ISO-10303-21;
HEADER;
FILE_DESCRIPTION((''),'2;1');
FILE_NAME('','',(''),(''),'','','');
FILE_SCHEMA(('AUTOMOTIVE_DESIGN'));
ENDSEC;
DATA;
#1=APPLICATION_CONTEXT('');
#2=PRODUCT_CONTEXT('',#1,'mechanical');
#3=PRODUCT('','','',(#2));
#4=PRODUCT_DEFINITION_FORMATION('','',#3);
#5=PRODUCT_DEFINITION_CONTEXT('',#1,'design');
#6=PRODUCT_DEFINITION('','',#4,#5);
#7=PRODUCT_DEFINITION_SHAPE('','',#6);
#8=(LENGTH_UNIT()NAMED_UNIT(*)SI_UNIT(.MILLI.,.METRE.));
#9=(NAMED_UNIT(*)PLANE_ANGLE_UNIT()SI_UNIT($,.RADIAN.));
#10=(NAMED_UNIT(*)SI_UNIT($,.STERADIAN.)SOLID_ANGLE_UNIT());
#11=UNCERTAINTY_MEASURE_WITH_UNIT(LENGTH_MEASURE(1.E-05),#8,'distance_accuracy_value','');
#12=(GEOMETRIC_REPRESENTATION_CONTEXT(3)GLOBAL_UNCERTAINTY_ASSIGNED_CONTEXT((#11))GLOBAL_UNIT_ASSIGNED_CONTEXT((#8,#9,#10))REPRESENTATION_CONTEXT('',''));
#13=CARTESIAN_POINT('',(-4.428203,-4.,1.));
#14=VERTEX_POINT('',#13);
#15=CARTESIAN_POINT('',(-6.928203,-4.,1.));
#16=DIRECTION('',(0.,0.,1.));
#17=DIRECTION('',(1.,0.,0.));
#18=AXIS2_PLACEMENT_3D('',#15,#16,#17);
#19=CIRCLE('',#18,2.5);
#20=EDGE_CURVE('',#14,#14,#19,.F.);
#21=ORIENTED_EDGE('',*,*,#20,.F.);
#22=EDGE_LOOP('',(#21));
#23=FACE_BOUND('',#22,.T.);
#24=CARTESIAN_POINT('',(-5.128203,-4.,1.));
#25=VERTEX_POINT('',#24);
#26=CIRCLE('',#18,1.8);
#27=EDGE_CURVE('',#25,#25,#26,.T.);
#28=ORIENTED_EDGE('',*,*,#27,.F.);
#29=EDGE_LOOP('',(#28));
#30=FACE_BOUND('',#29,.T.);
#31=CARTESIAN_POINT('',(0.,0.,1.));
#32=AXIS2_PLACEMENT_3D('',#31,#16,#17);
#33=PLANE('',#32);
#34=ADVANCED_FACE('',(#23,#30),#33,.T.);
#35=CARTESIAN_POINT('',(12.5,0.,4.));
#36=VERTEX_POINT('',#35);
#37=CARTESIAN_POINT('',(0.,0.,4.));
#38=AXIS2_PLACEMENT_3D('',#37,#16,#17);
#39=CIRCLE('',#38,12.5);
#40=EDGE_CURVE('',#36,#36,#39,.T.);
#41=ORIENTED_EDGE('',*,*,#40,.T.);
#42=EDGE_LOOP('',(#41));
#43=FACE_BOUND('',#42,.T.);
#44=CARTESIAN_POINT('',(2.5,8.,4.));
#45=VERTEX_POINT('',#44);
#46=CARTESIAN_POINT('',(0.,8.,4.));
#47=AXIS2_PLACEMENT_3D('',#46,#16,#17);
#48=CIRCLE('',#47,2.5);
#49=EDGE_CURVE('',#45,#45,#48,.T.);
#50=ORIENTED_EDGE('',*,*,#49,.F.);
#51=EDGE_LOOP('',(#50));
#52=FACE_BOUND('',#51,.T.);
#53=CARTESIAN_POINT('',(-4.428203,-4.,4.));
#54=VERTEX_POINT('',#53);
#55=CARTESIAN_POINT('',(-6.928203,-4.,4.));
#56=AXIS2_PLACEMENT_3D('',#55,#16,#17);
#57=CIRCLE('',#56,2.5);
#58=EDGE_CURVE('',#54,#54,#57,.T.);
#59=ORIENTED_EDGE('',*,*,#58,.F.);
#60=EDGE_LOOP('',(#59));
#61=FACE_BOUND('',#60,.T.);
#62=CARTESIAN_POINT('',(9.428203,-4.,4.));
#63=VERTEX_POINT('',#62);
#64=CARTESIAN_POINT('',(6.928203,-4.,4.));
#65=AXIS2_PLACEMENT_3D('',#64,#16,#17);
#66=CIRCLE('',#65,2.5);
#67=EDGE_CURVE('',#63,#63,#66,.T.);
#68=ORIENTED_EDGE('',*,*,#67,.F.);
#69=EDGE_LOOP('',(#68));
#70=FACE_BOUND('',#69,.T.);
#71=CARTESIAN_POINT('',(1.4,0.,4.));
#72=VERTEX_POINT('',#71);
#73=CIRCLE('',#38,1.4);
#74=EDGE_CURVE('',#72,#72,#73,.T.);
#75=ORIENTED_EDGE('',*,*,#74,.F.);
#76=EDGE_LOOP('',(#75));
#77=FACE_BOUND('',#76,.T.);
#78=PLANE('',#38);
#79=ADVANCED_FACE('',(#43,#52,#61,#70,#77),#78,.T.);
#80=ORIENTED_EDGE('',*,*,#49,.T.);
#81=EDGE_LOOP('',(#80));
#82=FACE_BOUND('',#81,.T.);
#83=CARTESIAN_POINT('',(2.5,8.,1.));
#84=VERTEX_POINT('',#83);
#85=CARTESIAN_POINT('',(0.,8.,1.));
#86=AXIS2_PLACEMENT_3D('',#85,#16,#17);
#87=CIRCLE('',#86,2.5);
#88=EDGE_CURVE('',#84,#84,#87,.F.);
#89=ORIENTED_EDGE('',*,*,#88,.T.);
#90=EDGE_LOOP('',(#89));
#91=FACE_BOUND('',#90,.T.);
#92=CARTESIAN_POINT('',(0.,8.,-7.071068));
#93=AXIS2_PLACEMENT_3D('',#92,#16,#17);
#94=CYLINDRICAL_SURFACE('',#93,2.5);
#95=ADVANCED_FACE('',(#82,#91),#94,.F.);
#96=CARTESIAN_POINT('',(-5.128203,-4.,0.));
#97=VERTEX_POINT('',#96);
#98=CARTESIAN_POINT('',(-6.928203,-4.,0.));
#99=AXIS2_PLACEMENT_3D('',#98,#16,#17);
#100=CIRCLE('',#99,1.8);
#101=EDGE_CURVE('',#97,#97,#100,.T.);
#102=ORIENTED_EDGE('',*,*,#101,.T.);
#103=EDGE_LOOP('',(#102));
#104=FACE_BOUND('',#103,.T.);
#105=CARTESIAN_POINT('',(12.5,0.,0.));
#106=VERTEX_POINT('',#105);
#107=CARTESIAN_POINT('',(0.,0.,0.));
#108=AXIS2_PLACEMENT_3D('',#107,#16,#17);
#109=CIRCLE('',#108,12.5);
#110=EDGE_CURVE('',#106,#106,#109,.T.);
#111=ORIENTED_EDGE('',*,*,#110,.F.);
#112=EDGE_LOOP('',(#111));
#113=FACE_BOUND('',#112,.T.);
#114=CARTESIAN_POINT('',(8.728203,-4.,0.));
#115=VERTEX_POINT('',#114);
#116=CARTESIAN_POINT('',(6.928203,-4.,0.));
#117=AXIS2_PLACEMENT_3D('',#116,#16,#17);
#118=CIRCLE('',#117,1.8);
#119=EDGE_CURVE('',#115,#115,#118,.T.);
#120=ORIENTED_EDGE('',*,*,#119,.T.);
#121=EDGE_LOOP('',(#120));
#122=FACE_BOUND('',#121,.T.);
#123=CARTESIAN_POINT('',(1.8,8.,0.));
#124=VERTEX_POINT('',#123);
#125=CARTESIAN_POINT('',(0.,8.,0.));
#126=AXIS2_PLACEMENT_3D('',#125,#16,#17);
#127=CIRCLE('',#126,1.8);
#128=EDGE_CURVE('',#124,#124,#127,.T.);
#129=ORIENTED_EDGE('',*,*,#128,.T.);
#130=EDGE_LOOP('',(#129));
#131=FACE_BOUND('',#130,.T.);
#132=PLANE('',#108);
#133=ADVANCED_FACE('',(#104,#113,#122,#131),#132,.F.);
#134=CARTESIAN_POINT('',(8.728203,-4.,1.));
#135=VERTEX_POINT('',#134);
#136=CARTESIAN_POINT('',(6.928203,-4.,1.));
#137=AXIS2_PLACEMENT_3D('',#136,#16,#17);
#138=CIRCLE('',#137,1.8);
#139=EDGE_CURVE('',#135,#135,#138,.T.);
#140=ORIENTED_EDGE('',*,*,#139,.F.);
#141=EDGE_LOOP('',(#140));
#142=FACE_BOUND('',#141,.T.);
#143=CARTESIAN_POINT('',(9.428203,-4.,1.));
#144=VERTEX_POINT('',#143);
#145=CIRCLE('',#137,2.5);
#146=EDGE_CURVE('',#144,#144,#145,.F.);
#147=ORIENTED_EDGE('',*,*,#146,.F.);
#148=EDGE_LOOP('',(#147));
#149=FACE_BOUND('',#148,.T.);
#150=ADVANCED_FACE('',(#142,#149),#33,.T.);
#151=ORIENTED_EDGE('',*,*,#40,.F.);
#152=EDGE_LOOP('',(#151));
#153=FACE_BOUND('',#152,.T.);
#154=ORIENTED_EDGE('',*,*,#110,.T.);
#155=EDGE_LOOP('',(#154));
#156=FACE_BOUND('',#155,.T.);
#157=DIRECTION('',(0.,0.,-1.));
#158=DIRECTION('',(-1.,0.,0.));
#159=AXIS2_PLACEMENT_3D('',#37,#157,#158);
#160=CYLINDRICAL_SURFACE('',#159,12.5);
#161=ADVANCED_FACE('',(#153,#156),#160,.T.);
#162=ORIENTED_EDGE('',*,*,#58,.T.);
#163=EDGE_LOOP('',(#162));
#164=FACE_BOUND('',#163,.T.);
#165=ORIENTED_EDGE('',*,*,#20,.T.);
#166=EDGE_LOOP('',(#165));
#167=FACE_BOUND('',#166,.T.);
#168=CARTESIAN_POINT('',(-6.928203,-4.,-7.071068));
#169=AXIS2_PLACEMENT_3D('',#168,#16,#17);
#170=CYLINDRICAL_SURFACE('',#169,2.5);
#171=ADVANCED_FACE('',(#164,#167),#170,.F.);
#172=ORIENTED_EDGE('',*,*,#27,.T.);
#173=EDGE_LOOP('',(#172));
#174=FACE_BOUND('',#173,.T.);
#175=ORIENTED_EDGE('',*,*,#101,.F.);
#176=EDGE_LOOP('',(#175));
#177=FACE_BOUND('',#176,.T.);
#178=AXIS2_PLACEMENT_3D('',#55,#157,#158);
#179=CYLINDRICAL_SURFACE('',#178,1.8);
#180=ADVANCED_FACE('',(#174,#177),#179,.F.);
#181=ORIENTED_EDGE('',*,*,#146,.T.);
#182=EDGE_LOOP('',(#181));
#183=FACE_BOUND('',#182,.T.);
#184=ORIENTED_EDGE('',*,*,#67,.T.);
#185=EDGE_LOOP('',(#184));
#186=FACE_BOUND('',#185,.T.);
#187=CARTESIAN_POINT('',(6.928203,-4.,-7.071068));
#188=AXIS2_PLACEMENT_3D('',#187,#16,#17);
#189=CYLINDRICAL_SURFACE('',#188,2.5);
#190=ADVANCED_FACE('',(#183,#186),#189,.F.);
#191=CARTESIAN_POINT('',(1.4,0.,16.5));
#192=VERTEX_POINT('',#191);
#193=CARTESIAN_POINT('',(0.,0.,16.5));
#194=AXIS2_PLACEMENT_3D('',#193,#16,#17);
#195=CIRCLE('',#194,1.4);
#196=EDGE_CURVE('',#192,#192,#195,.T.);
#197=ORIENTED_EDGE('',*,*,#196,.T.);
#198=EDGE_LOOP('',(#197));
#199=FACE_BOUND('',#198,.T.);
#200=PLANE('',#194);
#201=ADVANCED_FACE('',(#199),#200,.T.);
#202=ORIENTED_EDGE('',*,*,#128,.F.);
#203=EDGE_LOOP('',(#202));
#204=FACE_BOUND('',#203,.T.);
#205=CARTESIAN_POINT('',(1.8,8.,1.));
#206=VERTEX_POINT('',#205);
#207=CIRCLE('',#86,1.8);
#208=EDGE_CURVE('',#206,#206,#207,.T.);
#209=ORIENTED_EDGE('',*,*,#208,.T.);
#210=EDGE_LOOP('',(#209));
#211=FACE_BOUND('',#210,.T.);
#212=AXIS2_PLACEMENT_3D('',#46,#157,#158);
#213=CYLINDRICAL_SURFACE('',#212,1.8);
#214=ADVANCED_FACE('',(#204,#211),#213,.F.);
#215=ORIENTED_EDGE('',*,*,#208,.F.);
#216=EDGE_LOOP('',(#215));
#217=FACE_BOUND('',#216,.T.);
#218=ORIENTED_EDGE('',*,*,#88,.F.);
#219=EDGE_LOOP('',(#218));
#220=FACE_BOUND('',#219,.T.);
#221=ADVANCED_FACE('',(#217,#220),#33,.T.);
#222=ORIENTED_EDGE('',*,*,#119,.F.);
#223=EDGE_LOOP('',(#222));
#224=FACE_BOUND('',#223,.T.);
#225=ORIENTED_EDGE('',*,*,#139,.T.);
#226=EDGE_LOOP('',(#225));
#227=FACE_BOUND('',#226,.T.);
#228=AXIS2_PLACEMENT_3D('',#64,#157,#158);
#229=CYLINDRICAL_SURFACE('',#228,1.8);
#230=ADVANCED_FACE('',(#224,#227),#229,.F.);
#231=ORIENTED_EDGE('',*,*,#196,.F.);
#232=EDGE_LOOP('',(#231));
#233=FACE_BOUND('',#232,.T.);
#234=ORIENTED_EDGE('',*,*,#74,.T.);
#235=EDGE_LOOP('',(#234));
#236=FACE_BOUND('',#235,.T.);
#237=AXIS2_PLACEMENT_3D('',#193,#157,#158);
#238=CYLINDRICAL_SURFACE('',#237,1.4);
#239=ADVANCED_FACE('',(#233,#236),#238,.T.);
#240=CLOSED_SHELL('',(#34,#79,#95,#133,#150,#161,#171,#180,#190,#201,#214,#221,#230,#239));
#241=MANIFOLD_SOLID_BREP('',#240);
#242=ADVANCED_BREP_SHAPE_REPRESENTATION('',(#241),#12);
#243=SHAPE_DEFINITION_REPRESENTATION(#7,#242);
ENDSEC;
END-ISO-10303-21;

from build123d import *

# Parameters (mm, degrees)
SKETCH_1_R               = 3
SKETCH_1_R_2             = 1.65
EXTRUDE_1_DEPTH          = 4
CUT_EXTRUDE_2_DEPTH      = 6.830951895
PATTERN_CIRCULAR_1_COUNT = 9
SKETCH_2_R               = 5
EXTRUDE_2_DEPTH          = 4
SKETCH_3_R               = 12.5
SKETCH_3_R_2             = 1.8
SKETCH_3_R_3             = 5
EXTRUDE_4_DEPTH          = 4
CUT_EXTRUDE_START        = 4
SKETCH_3_3_R             = 2.5
CUT_EXTRUDE_3_DEPTH      = 3
SKETCH_4_R               = 1.4
EXTRUDE_5_DEPTH          = 12.5


with BuildPart() as part:
    # 草图1 → 凸台-拉伸1 (new body)
    with BuildSketch(Plane.XY):
        Circle(SKETCH_1_R)
        Circle(SKETCH_1_R_2, mode=Mode.SUBTRACT)
    extrude(amount=EXTRUDE_1_DEPTH)

    # 草图1<3> → 切除-拉伸2 (cut, through all)
    with BuildSketch(Plane.XY):
        with BuildLine():
            Line((1.583201231, 0.595370355), (1.54440693, 0.580781573))
            ThreePointArc((1.54440693, 0.580781573), (1.623387112, 0.295151288), (1.65, 0))
            ThreePointArc((1.65, 0), (1.623387112, -0.295151288), (1.54440693, -0.580781573))
            Line((1.54440693, -0.580781573), (1.583201231, -0.595370355))
            add(Edge.make_bspline(
                [(1.583201231, -0.595370355), (1.595268082, -0.599908151), (1.629927649, -0.609960022), (1.698544644, -0.618780808), (1.810680065, -0.617601716), (1.954246735, -0.59352555), (2.132298369, -0.536822163), (2.302941373, -0.452472776), (2.42578745, -0.372108406), (2.505673341, -0.310927028), (2.533645284, -0.288342805)],
                knots=[0, 0, 0, 0, 0, 0.005604068, 0.015718248, 0.029959916, 0.048733667, 0.068727063, 0.096888892, 0.112551479, 0.112551479, 0.112551479, 0.112551479, 0.112551479], degree=4))
            ThreePointArc((2.533645284, -0.288342805), (2.545908038, -0.144403125), (2.55, 0))
            ThreePointArc((2.55, 0), (2.545908038, 0.144403125), (2.533645284, 0.288342805))
            add(Edge.make_bspline(
                [(1.583201231, 0.595370355), (1.595268082, 0.599908151), (1.629927649, 0.609960022), (1.698544644, 0.618780808), (1.810680065, 0.617601716), (1.954246735, 0.59352555), (2.132298369, 0.536822163), (2.302941373, 0.452472776), (2.42578745, 0.372108406), (2.505673341, 0.310927028), (2.533645284, 0.288342805)],
                knots=[0, 0, 0, 0, 0, 0.005604068, 0.015718248, 0.029959916, 0.048733667, 0.068727063, 0.096888892, 0.112551479, 0.112551479, 0.112551479, 0.112551479, 0.112551479], degree=4))
        make_face()
    cut_extrude_2 = extrude(amount=CUT_EXTRUDE_2_DEPTH, mode=Mode.SUBTRACT)

    # 阵列(圆周)1: 切除-拉伸2 ×9 about axis
    pattern_circular_1_axis = Axis((0, 0, 4), (0, 0, 1))
    for i in range(1, PATTERN_CIRCULAR_1_COUNT):
        add(cut_extrude_2.rotate(pattern_circular_1_axis, i * 360 / PATTERN_CIRCULAR_1_COUNT), mode=Mode.SUBTRACT)

    # 草图2 → 凸台-拉伸2 (add)
    with BuildSketch(Plane(origin=(0, 0, 0), x_dir=(-1, 0, 0), z_dir=(0, 0, -1))):
        Circle(SKETCH_2_R)
    extrude(amount=-EXTRUDE_2_DEPTH)

    # 草图3 → 凸台-拉伸4 (add)
    with BuildSketch(Plane.XY):
        Circle(SKETCH_3_R)
        with Locations((0, 8)):
            Circle(SKETCH_3_R_2, mode=Mode.SUBTRACT)
        with Locations((6.92820323, -4)):
            Circle(SKETCH_3_R_2, mode=Mode.SUBTRACT)
        with Locations((-6.92820323, -4)):
            Circle(SKETCH_3_R_2, mode=Mode.SUBTRACT)
        Circle(SKETCH_3_R_3, mode=Mode.SUBTRACT)
    extrude(amount=EXTRUDE_4_DEPTH)

    # 草图3<3> → 切除-拉伸3 (cut)
    with BuildSketch(Plane.XY.offset(CUT_EXTRUDE_START)):
        with Locations((0, 8)):
            Circle(SKETCH_3_3_R)
        with Locations((6.92820323, -4)):
            Circle(SKETCH_3_3_R)
        with Locations((-6.92820323, -4)):
            Circle(SKETCH_3_3_R)
    extrude(amount=-CUT_EXTRUDE_3_DEPTH, mode=Mode.SUBTRACT)

    # 草图4 → 凸台-拉伸5 (add)
    with BuildSketch(Plane.XY.offset(4)):
        Circle(SKETCH_4_R)
    extrude(amount=EXTRUDE_5_DEPTH)


solid = part.part
